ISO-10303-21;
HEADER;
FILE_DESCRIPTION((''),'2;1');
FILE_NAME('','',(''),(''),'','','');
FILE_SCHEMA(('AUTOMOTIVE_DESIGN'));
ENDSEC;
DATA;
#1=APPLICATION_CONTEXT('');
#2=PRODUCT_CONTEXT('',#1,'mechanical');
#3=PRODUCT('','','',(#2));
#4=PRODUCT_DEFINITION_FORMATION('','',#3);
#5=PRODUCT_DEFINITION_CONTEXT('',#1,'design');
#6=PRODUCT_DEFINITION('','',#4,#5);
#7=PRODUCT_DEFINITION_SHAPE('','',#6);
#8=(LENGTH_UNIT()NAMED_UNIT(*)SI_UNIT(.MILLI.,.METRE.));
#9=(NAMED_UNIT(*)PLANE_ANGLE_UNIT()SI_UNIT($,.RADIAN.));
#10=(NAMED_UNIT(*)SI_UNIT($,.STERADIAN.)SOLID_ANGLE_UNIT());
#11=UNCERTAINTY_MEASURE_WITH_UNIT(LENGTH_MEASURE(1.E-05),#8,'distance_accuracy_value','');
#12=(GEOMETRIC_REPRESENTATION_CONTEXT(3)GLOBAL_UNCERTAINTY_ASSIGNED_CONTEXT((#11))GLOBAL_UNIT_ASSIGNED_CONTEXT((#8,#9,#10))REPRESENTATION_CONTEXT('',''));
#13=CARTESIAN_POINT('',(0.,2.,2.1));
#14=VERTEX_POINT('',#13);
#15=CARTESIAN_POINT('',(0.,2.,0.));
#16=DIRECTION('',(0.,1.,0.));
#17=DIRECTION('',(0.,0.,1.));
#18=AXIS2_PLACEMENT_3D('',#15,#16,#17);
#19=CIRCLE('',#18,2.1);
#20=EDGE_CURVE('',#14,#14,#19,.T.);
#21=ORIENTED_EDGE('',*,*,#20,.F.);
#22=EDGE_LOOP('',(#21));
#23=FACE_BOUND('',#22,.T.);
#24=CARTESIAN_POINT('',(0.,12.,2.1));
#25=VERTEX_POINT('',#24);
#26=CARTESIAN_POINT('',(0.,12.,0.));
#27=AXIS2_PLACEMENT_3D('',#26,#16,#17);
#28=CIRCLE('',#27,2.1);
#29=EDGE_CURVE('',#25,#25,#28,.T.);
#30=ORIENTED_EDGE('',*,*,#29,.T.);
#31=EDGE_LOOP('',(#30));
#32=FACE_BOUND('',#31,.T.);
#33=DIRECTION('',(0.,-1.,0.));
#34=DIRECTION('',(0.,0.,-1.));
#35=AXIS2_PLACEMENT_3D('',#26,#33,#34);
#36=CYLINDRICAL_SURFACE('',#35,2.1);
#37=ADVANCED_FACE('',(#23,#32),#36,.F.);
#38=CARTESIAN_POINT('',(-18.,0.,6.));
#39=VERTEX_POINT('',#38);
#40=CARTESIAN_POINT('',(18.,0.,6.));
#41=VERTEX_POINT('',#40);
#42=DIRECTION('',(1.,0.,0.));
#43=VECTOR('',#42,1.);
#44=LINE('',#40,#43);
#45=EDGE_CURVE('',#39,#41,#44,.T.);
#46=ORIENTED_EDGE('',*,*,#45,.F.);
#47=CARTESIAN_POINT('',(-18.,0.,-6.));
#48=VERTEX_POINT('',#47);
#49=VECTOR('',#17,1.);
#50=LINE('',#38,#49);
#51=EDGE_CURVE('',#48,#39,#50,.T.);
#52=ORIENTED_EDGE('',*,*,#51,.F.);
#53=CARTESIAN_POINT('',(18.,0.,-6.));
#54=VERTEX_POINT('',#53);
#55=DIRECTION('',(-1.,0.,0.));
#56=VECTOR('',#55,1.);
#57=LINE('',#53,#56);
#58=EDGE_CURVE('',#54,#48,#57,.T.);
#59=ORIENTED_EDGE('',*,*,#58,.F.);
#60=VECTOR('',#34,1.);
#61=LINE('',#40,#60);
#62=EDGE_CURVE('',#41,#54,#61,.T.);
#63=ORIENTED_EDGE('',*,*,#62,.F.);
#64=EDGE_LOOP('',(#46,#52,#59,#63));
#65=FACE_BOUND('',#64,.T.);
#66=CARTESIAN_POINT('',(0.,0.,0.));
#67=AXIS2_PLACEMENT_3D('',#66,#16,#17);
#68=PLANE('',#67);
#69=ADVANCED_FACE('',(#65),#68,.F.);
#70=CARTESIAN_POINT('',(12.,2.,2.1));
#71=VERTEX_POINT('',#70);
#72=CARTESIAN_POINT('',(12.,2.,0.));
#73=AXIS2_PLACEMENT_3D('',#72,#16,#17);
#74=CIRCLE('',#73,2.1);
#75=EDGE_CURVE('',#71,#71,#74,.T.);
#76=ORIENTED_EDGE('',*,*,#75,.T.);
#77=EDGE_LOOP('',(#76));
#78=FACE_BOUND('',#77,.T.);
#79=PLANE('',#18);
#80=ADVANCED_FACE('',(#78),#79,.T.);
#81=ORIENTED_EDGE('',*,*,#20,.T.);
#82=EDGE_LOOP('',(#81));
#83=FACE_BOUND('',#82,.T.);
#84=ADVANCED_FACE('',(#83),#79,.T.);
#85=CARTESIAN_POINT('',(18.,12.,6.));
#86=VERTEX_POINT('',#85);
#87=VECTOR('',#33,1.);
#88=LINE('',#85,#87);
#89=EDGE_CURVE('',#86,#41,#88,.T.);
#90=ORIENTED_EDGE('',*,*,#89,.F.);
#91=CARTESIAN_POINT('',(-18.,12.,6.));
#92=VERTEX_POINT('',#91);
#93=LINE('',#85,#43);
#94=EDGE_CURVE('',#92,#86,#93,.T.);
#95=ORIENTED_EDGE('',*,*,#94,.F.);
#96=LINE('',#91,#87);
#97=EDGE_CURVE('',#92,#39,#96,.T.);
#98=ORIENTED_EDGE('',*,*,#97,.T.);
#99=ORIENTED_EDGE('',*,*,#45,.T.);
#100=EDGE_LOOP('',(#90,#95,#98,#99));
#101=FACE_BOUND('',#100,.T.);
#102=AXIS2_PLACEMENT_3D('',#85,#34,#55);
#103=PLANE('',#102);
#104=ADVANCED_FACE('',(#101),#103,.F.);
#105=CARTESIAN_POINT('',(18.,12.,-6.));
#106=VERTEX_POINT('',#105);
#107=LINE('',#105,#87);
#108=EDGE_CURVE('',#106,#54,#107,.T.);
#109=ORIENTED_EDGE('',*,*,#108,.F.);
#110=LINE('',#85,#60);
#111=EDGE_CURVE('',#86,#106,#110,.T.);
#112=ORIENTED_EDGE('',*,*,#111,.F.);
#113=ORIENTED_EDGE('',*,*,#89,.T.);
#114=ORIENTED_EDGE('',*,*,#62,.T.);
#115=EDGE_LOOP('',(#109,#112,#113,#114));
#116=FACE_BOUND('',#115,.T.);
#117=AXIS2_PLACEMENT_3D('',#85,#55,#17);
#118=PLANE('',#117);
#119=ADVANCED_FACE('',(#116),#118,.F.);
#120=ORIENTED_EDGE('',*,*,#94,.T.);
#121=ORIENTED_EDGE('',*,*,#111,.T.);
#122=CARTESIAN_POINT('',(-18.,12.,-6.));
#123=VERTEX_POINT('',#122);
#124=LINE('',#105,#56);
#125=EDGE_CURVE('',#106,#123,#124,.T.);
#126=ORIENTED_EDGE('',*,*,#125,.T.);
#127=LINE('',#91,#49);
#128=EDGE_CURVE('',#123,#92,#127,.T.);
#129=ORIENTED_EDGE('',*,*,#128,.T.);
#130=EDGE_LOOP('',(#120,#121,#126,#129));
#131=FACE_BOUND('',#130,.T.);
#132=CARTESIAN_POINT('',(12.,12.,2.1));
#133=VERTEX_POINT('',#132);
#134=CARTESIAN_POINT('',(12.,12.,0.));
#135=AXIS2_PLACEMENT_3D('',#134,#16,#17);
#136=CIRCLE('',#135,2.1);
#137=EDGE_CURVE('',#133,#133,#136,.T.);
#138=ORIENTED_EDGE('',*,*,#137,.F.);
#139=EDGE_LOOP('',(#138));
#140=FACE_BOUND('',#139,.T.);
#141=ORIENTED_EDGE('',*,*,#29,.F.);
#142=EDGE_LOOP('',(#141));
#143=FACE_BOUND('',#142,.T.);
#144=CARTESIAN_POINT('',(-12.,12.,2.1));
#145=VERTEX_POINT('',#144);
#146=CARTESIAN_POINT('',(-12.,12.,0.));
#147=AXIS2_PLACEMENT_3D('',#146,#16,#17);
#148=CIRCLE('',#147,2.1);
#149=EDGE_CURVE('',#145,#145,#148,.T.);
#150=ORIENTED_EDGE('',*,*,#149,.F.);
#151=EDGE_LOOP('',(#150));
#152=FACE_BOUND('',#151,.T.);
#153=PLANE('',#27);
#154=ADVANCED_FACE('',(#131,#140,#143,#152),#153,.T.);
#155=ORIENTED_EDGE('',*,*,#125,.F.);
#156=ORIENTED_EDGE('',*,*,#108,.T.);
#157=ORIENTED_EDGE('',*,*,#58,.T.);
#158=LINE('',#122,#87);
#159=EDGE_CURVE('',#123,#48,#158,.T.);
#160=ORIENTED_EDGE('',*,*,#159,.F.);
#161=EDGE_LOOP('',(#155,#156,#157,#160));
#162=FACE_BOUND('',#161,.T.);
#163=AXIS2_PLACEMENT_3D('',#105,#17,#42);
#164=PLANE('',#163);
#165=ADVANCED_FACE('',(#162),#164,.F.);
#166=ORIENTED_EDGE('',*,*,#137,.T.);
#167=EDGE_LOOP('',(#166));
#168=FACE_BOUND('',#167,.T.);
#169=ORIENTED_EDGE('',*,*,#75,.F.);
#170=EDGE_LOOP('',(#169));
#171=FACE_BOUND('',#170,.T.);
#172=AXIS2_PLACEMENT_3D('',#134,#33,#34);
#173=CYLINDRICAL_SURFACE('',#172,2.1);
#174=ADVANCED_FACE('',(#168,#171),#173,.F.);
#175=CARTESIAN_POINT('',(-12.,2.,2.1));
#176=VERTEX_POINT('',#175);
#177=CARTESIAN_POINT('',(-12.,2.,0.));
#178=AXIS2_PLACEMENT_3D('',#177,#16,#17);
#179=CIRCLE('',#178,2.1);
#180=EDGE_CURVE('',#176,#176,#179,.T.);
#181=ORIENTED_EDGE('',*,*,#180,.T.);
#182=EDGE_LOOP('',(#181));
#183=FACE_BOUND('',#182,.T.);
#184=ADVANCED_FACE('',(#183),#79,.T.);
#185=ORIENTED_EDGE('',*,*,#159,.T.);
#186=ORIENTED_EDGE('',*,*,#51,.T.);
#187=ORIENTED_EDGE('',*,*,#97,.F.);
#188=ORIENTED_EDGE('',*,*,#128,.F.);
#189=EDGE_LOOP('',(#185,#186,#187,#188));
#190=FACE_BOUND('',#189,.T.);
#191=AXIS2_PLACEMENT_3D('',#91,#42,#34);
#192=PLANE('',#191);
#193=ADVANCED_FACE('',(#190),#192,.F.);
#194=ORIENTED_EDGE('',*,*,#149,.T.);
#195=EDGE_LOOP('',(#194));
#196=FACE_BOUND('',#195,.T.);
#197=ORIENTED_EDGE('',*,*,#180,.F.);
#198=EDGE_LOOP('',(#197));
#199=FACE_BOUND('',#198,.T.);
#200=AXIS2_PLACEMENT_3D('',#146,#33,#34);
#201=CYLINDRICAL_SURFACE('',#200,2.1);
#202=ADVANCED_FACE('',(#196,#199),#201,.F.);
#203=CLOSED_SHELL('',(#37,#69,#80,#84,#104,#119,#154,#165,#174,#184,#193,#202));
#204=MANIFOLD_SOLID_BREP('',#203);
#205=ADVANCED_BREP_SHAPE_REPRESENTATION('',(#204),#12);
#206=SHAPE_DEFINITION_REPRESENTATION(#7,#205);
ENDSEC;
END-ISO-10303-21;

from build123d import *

# Parameters (mm, degrees)
SKETCH1_W           = 36
SKETCH1_H           = 12
SKETCH1_R           = 2.1
BOSS_EXTRUDE1_DEPTH = 12
SKETCH1_2_R         = 2.1
BOSS_EXTRUDE2_DEPTH = 2


with BuildPart() as part:
    # Sketch1 → Boss-Extrude1 (new body)
    with BuildSketch(Plane(origin=(0, 0, 0), x_dir=(1, 0, 0), z_dir=(0, 1, 0))):
        Rectangle(SKETCH1_W, SKETCH1_H)
        Circle(SKETCH1_R, mode=Mode.SUBTRACT)
        with Locations((-12, 0)):
            Circle(SKETCH1_R, mode=Mode.SUBTRACT)
        with Locations((12, 0)):
            Circle(SKETCH1_R, mode=Mode.SUBTRACT)
    extrude(amount=BOSS_EXTRUDE1_DEPTH)

    # Sketch1<2> → Boss-Extrude2 (add)
    with BuildSketch(Plane(origin=(0, 0, 0), x_dir=(1, 0, 0), z_dir=(0, 1, 0))):
        Circle(SKETCH1_2_R)
        with Locations((-12, 0)):
            Circle(SKETCH1_2_R)
        with Locations((12, 0)):
            Circle(SKETCH1_2_R)
    extrude(amount=BOSS_EXTRUDE2_DEPTH)


solid = part.part
